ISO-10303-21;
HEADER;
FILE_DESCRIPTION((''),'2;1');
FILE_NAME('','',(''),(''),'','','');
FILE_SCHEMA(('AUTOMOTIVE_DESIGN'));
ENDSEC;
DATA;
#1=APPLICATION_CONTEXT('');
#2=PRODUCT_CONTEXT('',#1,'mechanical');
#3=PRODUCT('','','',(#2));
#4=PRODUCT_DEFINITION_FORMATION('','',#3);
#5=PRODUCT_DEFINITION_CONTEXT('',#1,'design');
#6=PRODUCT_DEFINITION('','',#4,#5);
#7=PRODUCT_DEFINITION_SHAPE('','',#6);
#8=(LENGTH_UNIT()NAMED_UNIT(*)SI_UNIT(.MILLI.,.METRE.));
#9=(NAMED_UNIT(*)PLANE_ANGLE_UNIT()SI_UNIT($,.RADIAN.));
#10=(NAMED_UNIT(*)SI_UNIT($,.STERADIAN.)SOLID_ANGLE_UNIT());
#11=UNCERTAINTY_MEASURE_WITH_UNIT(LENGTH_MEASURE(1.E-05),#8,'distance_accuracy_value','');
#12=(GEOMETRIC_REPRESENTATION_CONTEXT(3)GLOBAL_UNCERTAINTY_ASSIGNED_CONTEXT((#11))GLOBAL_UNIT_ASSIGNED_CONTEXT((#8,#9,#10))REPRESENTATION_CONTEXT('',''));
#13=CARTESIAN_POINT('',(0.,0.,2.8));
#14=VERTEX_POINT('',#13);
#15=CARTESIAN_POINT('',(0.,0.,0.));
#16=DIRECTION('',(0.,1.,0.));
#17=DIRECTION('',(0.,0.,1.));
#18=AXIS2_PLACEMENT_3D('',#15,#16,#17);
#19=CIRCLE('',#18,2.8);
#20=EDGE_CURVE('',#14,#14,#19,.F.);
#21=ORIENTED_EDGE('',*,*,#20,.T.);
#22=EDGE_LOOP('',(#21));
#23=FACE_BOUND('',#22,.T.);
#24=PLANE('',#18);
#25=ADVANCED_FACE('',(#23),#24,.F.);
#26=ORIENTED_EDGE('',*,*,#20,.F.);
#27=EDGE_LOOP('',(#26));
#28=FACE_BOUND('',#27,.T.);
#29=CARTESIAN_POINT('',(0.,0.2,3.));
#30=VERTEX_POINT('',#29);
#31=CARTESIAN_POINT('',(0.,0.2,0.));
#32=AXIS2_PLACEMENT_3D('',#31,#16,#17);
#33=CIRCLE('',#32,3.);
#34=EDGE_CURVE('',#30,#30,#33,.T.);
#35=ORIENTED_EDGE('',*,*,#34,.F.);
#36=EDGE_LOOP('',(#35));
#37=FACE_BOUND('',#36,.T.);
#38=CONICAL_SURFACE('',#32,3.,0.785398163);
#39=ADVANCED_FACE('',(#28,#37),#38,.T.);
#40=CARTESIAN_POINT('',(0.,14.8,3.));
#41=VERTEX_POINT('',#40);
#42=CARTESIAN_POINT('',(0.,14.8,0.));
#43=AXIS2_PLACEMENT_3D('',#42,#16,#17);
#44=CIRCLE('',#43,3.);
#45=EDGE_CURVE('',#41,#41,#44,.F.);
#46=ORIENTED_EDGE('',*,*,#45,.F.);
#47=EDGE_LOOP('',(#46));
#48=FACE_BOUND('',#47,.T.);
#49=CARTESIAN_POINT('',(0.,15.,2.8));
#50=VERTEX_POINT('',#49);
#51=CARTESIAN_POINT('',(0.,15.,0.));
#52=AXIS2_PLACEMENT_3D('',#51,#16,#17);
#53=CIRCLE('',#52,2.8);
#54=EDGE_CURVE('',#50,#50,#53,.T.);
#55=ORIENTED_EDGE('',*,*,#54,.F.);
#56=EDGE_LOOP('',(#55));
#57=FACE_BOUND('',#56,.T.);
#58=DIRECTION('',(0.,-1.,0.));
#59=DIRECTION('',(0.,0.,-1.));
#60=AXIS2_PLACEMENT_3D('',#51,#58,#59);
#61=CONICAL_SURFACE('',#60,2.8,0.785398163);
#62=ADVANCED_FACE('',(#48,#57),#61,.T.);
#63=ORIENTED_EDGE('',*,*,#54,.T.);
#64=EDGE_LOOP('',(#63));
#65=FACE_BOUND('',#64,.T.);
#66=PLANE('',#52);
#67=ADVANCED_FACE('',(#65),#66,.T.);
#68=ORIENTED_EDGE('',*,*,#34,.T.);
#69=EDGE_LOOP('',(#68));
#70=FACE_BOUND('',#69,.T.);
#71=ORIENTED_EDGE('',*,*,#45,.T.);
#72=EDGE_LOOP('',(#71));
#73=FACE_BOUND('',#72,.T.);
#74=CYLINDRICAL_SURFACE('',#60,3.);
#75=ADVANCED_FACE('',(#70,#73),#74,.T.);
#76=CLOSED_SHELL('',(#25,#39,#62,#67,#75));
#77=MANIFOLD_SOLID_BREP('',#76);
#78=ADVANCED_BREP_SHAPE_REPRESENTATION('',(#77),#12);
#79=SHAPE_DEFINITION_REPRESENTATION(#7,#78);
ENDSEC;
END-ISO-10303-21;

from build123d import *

# Parameters (mm, degrees)
SKETCH_1_R      = 3
EXTRUDE_1_DEPTH = 15
CHAMFER_1_SIZE  = 0.2


with BuildPart() as part:
    # 草图1 → 凸台-拉伸1 (new body)
    with BuildSketch(Plane(origin=(0, 0, 0), x_dir=(1, 0, 0), z_dir=(0, 1, 0))):
        with Locations(Location((0, 0, 0), (0, 0, 270))):
            Circle(SKETCH_1_R)
    extrude(amount=EXTRUDE_1_DEPTH)

    # 倒角1
    chamfer_1_edges = [part.edges().sort_by_distance(p)[0] for p in [
        (0, 0, -3),
        (0, 15, -3),
    ]]
    chamfer(chamfer_1_edges, length=CHAMFER_1_SIZE)


solid = part.part
